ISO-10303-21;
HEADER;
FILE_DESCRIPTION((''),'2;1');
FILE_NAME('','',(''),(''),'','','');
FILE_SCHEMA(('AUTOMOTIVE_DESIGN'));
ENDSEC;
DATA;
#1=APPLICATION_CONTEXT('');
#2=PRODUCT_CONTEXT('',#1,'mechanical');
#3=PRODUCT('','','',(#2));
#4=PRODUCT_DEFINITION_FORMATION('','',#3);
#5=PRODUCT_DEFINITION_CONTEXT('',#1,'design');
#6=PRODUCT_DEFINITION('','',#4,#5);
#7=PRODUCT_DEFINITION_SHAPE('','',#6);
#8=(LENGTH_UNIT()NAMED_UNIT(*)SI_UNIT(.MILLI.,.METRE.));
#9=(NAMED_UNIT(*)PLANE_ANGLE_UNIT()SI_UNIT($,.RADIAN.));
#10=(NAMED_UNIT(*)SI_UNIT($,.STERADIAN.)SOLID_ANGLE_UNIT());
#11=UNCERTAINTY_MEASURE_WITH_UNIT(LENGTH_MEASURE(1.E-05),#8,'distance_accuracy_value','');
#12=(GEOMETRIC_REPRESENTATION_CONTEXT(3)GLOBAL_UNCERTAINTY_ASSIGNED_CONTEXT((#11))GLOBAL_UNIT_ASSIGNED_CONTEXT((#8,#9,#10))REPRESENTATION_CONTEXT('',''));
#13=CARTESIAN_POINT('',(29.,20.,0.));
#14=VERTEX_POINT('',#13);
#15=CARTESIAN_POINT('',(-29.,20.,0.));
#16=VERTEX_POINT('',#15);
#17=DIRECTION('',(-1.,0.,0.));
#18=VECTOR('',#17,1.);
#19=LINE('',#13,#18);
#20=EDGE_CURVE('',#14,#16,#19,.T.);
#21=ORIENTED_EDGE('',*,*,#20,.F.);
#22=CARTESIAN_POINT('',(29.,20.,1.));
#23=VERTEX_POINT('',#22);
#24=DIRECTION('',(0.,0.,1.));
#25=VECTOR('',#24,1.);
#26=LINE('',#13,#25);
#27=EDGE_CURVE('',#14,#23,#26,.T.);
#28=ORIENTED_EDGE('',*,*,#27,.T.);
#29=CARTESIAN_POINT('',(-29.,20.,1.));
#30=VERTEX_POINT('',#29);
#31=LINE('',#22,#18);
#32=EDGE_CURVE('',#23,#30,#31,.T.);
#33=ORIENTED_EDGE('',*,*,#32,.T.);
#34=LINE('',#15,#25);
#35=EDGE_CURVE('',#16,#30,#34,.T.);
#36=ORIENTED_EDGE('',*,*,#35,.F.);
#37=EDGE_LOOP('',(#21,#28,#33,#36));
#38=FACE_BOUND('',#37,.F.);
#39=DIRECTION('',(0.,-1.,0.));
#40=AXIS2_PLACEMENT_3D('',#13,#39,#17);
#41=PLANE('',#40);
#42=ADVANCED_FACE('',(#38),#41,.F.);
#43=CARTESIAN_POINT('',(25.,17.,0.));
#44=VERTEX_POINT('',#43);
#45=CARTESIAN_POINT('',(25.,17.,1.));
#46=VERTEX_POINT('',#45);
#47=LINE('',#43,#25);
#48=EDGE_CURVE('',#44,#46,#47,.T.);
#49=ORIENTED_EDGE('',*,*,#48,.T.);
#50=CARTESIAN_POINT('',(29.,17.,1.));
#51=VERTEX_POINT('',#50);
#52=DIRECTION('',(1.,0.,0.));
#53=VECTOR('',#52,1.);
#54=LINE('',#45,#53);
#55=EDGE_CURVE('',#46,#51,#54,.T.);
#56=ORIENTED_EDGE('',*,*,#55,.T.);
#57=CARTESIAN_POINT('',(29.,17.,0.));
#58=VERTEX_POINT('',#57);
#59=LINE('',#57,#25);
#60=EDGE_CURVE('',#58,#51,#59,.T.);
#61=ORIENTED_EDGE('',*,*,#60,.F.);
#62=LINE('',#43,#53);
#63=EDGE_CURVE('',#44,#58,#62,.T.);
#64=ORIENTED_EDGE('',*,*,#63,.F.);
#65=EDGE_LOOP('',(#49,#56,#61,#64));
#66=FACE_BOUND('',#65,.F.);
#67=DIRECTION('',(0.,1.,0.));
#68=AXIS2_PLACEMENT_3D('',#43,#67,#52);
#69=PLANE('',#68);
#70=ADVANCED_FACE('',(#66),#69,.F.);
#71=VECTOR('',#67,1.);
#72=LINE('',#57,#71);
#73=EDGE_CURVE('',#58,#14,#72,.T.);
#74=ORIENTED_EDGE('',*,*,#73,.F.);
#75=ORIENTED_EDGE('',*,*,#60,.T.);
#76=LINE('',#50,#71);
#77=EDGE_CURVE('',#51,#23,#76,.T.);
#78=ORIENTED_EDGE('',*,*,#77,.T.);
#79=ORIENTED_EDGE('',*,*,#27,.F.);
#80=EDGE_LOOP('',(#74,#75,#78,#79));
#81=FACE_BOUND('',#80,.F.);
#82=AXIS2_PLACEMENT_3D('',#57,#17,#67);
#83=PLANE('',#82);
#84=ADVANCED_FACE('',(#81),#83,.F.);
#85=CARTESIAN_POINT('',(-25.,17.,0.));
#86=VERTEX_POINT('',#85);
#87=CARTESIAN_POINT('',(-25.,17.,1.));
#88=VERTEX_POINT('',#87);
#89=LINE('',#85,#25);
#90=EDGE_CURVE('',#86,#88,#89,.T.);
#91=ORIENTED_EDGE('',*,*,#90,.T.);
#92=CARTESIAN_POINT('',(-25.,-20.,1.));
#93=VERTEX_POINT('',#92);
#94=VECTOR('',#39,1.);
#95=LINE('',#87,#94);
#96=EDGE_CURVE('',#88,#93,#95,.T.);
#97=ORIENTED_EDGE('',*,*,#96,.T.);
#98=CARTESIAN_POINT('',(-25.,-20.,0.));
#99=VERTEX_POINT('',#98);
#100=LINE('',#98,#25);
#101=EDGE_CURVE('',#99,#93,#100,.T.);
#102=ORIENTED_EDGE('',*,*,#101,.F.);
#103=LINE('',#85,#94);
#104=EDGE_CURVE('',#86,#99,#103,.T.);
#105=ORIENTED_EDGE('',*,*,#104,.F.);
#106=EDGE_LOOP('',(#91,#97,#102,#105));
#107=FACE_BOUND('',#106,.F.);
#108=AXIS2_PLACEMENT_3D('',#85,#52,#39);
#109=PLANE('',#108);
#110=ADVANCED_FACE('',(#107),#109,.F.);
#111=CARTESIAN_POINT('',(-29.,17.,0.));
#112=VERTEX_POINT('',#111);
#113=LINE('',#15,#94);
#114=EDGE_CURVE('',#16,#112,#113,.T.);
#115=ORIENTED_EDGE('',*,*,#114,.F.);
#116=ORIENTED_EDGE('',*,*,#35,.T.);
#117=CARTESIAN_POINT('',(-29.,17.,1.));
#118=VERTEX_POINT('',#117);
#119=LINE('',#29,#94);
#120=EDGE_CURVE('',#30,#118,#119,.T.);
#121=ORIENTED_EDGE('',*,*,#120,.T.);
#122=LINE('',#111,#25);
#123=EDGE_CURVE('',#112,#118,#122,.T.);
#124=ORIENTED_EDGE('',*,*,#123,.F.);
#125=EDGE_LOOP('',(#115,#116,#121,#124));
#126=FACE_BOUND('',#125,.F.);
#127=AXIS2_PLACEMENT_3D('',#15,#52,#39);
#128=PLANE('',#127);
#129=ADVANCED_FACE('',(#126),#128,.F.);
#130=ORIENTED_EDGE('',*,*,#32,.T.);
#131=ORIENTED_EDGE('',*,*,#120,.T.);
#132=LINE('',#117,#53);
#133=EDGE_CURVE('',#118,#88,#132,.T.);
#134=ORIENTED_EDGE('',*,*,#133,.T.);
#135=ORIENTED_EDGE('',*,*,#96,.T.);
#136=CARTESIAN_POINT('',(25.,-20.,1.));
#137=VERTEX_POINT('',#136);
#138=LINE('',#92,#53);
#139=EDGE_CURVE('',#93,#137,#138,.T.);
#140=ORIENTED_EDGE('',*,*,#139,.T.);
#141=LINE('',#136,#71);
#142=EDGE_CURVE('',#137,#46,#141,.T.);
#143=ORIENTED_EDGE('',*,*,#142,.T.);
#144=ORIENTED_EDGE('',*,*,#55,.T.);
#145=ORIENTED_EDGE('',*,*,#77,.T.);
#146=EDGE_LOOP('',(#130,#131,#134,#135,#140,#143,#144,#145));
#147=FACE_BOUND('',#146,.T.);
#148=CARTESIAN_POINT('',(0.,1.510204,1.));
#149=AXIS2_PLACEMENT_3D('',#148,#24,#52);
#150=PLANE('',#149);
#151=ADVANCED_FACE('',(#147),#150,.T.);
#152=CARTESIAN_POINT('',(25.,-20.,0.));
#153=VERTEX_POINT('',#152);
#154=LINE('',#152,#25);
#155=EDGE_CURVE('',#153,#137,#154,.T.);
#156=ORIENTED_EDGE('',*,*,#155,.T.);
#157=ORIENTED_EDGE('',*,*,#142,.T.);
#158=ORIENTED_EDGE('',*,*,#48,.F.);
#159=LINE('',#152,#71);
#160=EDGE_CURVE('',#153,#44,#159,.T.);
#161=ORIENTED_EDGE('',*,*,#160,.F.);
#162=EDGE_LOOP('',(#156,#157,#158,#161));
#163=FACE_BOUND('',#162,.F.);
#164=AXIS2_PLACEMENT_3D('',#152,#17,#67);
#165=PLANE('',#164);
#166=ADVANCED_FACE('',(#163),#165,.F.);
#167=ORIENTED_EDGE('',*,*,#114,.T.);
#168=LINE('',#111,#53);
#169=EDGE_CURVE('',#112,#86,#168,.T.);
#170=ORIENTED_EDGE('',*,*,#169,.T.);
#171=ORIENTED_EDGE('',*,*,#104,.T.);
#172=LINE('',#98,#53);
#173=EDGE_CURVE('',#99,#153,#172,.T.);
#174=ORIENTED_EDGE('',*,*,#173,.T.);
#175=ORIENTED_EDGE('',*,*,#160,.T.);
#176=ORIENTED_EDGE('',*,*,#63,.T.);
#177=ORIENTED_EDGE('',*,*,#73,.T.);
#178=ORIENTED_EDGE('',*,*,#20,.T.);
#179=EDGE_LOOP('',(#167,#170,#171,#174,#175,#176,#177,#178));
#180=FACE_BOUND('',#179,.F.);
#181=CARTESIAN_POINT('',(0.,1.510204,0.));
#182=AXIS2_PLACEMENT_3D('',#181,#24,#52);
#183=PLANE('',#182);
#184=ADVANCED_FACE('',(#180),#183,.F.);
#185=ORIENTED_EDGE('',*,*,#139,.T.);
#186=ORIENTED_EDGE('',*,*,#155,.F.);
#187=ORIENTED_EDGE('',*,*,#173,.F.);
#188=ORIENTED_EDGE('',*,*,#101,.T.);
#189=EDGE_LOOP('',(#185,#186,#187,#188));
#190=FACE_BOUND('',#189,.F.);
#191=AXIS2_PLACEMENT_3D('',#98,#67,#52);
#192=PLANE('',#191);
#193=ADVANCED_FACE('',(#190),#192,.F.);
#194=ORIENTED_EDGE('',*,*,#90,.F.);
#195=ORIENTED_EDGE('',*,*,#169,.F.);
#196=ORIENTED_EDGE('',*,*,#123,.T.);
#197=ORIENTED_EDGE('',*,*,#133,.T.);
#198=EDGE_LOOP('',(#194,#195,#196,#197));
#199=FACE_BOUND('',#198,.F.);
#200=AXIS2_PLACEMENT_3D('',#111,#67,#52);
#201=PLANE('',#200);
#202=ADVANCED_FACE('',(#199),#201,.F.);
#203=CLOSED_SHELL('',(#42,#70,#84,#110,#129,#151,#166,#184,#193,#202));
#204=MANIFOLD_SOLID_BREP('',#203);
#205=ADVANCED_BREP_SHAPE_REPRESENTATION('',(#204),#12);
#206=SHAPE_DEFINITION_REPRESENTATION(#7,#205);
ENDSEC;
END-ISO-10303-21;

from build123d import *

# Parameters (mm, degrees)
PAD_DEPTH = 1


with BuildPart() as part:
    # Sketch → Pad (new body)
    with BuildSketch(Plane.XY):
        Polygon((-25, -20), (25, -20), (25, 17), (29, 17), (29, 20), (25, 20), (-25, 20), (-29, 20), (-29, 17), (-25, 17), align=None)
    extrude(amount=PAD_DEPTH)


solid = part.part
